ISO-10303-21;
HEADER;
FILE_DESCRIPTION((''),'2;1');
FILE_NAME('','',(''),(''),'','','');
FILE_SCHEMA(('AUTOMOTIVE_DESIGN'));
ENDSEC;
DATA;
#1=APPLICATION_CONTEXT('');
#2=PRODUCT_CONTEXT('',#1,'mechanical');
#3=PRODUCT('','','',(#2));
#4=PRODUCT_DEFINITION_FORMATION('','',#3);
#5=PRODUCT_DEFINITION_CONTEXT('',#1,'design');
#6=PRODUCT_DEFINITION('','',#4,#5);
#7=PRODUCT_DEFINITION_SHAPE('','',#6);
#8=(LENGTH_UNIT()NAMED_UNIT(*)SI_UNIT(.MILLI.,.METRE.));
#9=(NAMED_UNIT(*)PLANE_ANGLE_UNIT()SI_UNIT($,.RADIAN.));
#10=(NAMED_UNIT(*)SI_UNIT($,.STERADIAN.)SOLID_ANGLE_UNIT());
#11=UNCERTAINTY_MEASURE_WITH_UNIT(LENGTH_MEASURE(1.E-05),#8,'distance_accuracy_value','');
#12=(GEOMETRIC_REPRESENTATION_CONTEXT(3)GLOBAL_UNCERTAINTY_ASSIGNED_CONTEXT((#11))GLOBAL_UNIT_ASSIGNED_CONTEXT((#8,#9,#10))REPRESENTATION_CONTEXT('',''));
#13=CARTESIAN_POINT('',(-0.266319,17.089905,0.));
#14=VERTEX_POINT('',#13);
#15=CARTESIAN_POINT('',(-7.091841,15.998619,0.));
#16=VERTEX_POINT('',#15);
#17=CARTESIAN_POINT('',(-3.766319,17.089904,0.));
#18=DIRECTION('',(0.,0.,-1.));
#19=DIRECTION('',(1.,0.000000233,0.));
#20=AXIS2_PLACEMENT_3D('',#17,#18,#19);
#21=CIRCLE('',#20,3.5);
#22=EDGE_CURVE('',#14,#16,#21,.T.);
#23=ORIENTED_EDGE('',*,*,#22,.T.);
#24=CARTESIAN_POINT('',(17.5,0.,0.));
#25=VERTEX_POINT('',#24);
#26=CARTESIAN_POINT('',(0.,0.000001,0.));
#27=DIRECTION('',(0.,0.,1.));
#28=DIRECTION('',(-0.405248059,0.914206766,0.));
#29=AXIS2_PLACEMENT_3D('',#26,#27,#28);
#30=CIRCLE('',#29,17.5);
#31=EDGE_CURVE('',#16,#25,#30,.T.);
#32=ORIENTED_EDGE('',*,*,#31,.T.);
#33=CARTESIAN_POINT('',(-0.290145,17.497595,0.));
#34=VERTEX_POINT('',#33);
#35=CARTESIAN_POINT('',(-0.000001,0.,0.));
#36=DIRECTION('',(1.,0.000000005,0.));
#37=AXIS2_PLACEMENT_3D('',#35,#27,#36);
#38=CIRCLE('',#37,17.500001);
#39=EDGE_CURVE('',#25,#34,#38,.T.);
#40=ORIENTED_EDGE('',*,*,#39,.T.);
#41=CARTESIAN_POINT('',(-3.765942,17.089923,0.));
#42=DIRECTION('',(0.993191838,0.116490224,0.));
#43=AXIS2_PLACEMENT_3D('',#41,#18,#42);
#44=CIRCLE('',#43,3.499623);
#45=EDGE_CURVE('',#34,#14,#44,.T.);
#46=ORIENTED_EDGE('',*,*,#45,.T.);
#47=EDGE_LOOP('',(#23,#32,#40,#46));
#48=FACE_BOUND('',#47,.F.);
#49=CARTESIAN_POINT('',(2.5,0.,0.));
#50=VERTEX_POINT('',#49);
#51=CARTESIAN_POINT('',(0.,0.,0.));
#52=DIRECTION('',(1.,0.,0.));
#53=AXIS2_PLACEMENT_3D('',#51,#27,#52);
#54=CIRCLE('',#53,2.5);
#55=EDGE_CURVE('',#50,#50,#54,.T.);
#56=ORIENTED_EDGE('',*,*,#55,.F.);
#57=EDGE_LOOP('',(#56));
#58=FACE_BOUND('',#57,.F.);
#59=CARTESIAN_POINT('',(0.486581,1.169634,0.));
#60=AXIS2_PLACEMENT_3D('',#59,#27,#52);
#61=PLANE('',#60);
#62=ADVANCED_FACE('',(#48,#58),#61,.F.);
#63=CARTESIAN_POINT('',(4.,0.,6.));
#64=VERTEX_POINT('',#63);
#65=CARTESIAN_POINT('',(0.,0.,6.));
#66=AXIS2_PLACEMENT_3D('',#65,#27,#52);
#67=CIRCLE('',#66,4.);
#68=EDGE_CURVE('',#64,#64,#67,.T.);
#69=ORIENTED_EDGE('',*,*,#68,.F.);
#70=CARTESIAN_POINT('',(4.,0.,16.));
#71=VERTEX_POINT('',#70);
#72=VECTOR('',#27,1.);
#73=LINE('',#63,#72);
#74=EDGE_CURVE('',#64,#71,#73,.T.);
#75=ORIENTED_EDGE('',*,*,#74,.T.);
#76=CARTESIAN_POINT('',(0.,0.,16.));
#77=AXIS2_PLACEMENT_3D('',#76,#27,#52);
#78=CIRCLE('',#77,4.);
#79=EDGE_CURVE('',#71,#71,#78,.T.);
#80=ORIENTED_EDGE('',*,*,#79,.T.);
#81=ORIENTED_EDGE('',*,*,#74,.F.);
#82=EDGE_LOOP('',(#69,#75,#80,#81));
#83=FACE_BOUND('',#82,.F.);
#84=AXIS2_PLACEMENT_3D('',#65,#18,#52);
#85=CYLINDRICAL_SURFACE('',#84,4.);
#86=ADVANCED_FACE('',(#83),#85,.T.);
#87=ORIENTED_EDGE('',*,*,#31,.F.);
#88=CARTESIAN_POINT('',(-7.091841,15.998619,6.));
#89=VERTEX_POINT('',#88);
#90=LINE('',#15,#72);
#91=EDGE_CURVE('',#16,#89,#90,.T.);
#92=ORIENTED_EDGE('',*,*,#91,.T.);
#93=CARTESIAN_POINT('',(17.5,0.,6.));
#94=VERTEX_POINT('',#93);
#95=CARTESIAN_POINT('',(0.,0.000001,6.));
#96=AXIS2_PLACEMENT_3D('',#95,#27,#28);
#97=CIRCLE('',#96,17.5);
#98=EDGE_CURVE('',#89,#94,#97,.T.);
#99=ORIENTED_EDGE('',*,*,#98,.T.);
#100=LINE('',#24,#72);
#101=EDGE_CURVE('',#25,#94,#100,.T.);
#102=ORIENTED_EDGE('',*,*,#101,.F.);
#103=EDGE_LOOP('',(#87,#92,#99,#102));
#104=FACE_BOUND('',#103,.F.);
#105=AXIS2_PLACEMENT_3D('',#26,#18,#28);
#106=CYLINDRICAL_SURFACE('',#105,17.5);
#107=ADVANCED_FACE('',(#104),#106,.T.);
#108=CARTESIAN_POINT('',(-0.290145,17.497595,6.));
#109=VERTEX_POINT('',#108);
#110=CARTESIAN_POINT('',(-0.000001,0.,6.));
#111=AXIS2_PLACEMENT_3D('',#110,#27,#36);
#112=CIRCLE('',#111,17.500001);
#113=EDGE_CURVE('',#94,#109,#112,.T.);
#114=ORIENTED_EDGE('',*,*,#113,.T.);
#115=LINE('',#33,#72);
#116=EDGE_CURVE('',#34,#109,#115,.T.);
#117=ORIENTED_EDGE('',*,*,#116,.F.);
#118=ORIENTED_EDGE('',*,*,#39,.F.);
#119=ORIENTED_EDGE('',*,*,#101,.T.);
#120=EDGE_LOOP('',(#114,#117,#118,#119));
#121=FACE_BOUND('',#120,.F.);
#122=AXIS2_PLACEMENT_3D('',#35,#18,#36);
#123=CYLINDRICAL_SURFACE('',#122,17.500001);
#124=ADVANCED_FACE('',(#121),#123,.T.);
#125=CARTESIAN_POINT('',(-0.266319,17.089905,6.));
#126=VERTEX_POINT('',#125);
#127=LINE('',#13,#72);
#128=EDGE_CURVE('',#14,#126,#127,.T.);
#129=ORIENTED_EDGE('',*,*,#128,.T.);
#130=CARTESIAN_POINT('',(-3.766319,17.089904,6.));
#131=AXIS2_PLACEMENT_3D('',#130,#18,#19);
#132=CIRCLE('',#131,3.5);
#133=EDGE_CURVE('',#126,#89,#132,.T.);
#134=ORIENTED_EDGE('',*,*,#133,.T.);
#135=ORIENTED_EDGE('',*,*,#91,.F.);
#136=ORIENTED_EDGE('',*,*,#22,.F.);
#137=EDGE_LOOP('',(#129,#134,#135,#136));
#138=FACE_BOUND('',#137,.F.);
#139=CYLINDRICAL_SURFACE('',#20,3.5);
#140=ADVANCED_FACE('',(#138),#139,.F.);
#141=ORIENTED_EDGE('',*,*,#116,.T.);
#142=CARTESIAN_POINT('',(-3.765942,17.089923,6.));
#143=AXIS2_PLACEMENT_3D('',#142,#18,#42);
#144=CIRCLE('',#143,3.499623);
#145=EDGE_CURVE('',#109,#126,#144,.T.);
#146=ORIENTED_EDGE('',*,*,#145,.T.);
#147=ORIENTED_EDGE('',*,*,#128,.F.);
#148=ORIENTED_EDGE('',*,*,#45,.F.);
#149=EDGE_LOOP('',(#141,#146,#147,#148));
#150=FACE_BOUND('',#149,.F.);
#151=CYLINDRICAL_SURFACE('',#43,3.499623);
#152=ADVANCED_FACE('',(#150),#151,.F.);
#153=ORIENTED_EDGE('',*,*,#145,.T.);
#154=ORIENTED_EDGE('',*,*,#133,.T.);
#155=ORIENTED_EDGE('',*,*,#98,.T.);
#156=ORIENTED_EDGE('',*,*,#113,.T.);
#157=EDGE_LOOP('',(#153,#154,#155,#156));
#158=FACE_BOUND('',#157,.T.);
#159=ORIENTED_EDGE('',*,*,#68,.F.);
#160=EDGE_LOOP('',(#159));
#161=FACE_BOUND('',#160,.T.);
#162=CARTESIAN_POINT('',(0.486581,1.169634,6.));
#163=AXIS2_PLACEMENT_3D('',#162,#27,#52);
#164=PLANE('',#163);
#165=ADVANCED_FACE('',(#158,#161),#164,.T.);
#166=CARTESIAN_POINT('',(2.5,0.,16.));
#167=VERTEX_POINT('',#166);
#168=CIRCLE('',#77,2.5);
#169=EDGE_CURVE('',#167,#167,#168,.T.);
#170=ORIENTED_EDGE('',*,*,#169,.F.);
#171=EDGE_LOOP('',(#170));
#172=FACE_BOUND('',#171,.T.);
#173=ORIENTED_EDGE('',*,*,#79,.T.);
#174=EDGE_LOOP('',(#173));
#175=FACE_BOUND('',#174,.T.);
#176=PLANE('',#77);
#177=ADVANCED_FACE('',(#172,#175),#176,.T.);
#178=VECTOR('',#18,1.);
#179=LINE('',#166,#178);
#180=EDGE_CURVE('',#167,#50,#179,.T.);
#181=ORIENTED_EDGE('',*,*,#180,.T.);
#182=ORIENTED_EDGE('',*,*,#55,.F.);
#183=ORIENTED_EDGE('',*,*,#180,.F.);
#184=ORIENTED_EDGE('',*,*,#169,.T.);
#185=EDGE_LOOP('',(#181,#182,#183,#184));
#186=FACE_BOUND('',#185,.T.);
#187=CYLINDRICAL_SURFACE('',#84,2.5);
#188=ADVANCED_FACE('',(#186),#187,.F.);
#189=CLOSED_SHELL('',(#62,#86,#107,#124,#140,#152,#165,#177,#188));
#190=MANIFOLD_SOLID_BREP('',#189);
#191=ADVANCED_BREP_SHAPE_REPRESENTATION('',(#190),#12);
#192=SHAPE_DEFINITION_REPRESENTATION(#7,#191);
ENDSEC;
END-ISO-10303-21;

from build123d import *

# Parameters (mm, degrees)
F0_R     = 2.5
F1_DEPTH = 6
F2_R     = 4
F2_R_2   = 2.5
F3_DEPTH = 10


with BuildPart() as f1:
    # F0 (on Top) → F1 (new body)
    with BuildSketch(Plane.XY):
        with BuildLine():
            ThreePointArc((-7.091841, 15.998619), (-9.543133, -14.668967), (17.5, 0))
            ThreePointArc((17.5, 0), (12.271358, 12.476529), (-0.290145, 17.497595))
            ThreePointArc((-0.290145, 17.497595), (-0.27228, 17.294097), (-0.266319, 17.089905))
            ThreePointArc((-0.266319, 17.089905), (-3.213746, 13.633799), (-7.091841, 15.998619))
        make_face()
        Circle(F0_R, mode=Mode.SUBTRACT)
    extrude(amount=F1_DEPTH)

    # F2 (on face) → F3 (join)
    with BuildSketch(Plane.XY.offset(6)):
        Circle(F2_R)
        Circle(F2_R_2, mode=Mode.SUBTRACT)
    extrude(amount=F3_DEPTH)


solid = f1.part
